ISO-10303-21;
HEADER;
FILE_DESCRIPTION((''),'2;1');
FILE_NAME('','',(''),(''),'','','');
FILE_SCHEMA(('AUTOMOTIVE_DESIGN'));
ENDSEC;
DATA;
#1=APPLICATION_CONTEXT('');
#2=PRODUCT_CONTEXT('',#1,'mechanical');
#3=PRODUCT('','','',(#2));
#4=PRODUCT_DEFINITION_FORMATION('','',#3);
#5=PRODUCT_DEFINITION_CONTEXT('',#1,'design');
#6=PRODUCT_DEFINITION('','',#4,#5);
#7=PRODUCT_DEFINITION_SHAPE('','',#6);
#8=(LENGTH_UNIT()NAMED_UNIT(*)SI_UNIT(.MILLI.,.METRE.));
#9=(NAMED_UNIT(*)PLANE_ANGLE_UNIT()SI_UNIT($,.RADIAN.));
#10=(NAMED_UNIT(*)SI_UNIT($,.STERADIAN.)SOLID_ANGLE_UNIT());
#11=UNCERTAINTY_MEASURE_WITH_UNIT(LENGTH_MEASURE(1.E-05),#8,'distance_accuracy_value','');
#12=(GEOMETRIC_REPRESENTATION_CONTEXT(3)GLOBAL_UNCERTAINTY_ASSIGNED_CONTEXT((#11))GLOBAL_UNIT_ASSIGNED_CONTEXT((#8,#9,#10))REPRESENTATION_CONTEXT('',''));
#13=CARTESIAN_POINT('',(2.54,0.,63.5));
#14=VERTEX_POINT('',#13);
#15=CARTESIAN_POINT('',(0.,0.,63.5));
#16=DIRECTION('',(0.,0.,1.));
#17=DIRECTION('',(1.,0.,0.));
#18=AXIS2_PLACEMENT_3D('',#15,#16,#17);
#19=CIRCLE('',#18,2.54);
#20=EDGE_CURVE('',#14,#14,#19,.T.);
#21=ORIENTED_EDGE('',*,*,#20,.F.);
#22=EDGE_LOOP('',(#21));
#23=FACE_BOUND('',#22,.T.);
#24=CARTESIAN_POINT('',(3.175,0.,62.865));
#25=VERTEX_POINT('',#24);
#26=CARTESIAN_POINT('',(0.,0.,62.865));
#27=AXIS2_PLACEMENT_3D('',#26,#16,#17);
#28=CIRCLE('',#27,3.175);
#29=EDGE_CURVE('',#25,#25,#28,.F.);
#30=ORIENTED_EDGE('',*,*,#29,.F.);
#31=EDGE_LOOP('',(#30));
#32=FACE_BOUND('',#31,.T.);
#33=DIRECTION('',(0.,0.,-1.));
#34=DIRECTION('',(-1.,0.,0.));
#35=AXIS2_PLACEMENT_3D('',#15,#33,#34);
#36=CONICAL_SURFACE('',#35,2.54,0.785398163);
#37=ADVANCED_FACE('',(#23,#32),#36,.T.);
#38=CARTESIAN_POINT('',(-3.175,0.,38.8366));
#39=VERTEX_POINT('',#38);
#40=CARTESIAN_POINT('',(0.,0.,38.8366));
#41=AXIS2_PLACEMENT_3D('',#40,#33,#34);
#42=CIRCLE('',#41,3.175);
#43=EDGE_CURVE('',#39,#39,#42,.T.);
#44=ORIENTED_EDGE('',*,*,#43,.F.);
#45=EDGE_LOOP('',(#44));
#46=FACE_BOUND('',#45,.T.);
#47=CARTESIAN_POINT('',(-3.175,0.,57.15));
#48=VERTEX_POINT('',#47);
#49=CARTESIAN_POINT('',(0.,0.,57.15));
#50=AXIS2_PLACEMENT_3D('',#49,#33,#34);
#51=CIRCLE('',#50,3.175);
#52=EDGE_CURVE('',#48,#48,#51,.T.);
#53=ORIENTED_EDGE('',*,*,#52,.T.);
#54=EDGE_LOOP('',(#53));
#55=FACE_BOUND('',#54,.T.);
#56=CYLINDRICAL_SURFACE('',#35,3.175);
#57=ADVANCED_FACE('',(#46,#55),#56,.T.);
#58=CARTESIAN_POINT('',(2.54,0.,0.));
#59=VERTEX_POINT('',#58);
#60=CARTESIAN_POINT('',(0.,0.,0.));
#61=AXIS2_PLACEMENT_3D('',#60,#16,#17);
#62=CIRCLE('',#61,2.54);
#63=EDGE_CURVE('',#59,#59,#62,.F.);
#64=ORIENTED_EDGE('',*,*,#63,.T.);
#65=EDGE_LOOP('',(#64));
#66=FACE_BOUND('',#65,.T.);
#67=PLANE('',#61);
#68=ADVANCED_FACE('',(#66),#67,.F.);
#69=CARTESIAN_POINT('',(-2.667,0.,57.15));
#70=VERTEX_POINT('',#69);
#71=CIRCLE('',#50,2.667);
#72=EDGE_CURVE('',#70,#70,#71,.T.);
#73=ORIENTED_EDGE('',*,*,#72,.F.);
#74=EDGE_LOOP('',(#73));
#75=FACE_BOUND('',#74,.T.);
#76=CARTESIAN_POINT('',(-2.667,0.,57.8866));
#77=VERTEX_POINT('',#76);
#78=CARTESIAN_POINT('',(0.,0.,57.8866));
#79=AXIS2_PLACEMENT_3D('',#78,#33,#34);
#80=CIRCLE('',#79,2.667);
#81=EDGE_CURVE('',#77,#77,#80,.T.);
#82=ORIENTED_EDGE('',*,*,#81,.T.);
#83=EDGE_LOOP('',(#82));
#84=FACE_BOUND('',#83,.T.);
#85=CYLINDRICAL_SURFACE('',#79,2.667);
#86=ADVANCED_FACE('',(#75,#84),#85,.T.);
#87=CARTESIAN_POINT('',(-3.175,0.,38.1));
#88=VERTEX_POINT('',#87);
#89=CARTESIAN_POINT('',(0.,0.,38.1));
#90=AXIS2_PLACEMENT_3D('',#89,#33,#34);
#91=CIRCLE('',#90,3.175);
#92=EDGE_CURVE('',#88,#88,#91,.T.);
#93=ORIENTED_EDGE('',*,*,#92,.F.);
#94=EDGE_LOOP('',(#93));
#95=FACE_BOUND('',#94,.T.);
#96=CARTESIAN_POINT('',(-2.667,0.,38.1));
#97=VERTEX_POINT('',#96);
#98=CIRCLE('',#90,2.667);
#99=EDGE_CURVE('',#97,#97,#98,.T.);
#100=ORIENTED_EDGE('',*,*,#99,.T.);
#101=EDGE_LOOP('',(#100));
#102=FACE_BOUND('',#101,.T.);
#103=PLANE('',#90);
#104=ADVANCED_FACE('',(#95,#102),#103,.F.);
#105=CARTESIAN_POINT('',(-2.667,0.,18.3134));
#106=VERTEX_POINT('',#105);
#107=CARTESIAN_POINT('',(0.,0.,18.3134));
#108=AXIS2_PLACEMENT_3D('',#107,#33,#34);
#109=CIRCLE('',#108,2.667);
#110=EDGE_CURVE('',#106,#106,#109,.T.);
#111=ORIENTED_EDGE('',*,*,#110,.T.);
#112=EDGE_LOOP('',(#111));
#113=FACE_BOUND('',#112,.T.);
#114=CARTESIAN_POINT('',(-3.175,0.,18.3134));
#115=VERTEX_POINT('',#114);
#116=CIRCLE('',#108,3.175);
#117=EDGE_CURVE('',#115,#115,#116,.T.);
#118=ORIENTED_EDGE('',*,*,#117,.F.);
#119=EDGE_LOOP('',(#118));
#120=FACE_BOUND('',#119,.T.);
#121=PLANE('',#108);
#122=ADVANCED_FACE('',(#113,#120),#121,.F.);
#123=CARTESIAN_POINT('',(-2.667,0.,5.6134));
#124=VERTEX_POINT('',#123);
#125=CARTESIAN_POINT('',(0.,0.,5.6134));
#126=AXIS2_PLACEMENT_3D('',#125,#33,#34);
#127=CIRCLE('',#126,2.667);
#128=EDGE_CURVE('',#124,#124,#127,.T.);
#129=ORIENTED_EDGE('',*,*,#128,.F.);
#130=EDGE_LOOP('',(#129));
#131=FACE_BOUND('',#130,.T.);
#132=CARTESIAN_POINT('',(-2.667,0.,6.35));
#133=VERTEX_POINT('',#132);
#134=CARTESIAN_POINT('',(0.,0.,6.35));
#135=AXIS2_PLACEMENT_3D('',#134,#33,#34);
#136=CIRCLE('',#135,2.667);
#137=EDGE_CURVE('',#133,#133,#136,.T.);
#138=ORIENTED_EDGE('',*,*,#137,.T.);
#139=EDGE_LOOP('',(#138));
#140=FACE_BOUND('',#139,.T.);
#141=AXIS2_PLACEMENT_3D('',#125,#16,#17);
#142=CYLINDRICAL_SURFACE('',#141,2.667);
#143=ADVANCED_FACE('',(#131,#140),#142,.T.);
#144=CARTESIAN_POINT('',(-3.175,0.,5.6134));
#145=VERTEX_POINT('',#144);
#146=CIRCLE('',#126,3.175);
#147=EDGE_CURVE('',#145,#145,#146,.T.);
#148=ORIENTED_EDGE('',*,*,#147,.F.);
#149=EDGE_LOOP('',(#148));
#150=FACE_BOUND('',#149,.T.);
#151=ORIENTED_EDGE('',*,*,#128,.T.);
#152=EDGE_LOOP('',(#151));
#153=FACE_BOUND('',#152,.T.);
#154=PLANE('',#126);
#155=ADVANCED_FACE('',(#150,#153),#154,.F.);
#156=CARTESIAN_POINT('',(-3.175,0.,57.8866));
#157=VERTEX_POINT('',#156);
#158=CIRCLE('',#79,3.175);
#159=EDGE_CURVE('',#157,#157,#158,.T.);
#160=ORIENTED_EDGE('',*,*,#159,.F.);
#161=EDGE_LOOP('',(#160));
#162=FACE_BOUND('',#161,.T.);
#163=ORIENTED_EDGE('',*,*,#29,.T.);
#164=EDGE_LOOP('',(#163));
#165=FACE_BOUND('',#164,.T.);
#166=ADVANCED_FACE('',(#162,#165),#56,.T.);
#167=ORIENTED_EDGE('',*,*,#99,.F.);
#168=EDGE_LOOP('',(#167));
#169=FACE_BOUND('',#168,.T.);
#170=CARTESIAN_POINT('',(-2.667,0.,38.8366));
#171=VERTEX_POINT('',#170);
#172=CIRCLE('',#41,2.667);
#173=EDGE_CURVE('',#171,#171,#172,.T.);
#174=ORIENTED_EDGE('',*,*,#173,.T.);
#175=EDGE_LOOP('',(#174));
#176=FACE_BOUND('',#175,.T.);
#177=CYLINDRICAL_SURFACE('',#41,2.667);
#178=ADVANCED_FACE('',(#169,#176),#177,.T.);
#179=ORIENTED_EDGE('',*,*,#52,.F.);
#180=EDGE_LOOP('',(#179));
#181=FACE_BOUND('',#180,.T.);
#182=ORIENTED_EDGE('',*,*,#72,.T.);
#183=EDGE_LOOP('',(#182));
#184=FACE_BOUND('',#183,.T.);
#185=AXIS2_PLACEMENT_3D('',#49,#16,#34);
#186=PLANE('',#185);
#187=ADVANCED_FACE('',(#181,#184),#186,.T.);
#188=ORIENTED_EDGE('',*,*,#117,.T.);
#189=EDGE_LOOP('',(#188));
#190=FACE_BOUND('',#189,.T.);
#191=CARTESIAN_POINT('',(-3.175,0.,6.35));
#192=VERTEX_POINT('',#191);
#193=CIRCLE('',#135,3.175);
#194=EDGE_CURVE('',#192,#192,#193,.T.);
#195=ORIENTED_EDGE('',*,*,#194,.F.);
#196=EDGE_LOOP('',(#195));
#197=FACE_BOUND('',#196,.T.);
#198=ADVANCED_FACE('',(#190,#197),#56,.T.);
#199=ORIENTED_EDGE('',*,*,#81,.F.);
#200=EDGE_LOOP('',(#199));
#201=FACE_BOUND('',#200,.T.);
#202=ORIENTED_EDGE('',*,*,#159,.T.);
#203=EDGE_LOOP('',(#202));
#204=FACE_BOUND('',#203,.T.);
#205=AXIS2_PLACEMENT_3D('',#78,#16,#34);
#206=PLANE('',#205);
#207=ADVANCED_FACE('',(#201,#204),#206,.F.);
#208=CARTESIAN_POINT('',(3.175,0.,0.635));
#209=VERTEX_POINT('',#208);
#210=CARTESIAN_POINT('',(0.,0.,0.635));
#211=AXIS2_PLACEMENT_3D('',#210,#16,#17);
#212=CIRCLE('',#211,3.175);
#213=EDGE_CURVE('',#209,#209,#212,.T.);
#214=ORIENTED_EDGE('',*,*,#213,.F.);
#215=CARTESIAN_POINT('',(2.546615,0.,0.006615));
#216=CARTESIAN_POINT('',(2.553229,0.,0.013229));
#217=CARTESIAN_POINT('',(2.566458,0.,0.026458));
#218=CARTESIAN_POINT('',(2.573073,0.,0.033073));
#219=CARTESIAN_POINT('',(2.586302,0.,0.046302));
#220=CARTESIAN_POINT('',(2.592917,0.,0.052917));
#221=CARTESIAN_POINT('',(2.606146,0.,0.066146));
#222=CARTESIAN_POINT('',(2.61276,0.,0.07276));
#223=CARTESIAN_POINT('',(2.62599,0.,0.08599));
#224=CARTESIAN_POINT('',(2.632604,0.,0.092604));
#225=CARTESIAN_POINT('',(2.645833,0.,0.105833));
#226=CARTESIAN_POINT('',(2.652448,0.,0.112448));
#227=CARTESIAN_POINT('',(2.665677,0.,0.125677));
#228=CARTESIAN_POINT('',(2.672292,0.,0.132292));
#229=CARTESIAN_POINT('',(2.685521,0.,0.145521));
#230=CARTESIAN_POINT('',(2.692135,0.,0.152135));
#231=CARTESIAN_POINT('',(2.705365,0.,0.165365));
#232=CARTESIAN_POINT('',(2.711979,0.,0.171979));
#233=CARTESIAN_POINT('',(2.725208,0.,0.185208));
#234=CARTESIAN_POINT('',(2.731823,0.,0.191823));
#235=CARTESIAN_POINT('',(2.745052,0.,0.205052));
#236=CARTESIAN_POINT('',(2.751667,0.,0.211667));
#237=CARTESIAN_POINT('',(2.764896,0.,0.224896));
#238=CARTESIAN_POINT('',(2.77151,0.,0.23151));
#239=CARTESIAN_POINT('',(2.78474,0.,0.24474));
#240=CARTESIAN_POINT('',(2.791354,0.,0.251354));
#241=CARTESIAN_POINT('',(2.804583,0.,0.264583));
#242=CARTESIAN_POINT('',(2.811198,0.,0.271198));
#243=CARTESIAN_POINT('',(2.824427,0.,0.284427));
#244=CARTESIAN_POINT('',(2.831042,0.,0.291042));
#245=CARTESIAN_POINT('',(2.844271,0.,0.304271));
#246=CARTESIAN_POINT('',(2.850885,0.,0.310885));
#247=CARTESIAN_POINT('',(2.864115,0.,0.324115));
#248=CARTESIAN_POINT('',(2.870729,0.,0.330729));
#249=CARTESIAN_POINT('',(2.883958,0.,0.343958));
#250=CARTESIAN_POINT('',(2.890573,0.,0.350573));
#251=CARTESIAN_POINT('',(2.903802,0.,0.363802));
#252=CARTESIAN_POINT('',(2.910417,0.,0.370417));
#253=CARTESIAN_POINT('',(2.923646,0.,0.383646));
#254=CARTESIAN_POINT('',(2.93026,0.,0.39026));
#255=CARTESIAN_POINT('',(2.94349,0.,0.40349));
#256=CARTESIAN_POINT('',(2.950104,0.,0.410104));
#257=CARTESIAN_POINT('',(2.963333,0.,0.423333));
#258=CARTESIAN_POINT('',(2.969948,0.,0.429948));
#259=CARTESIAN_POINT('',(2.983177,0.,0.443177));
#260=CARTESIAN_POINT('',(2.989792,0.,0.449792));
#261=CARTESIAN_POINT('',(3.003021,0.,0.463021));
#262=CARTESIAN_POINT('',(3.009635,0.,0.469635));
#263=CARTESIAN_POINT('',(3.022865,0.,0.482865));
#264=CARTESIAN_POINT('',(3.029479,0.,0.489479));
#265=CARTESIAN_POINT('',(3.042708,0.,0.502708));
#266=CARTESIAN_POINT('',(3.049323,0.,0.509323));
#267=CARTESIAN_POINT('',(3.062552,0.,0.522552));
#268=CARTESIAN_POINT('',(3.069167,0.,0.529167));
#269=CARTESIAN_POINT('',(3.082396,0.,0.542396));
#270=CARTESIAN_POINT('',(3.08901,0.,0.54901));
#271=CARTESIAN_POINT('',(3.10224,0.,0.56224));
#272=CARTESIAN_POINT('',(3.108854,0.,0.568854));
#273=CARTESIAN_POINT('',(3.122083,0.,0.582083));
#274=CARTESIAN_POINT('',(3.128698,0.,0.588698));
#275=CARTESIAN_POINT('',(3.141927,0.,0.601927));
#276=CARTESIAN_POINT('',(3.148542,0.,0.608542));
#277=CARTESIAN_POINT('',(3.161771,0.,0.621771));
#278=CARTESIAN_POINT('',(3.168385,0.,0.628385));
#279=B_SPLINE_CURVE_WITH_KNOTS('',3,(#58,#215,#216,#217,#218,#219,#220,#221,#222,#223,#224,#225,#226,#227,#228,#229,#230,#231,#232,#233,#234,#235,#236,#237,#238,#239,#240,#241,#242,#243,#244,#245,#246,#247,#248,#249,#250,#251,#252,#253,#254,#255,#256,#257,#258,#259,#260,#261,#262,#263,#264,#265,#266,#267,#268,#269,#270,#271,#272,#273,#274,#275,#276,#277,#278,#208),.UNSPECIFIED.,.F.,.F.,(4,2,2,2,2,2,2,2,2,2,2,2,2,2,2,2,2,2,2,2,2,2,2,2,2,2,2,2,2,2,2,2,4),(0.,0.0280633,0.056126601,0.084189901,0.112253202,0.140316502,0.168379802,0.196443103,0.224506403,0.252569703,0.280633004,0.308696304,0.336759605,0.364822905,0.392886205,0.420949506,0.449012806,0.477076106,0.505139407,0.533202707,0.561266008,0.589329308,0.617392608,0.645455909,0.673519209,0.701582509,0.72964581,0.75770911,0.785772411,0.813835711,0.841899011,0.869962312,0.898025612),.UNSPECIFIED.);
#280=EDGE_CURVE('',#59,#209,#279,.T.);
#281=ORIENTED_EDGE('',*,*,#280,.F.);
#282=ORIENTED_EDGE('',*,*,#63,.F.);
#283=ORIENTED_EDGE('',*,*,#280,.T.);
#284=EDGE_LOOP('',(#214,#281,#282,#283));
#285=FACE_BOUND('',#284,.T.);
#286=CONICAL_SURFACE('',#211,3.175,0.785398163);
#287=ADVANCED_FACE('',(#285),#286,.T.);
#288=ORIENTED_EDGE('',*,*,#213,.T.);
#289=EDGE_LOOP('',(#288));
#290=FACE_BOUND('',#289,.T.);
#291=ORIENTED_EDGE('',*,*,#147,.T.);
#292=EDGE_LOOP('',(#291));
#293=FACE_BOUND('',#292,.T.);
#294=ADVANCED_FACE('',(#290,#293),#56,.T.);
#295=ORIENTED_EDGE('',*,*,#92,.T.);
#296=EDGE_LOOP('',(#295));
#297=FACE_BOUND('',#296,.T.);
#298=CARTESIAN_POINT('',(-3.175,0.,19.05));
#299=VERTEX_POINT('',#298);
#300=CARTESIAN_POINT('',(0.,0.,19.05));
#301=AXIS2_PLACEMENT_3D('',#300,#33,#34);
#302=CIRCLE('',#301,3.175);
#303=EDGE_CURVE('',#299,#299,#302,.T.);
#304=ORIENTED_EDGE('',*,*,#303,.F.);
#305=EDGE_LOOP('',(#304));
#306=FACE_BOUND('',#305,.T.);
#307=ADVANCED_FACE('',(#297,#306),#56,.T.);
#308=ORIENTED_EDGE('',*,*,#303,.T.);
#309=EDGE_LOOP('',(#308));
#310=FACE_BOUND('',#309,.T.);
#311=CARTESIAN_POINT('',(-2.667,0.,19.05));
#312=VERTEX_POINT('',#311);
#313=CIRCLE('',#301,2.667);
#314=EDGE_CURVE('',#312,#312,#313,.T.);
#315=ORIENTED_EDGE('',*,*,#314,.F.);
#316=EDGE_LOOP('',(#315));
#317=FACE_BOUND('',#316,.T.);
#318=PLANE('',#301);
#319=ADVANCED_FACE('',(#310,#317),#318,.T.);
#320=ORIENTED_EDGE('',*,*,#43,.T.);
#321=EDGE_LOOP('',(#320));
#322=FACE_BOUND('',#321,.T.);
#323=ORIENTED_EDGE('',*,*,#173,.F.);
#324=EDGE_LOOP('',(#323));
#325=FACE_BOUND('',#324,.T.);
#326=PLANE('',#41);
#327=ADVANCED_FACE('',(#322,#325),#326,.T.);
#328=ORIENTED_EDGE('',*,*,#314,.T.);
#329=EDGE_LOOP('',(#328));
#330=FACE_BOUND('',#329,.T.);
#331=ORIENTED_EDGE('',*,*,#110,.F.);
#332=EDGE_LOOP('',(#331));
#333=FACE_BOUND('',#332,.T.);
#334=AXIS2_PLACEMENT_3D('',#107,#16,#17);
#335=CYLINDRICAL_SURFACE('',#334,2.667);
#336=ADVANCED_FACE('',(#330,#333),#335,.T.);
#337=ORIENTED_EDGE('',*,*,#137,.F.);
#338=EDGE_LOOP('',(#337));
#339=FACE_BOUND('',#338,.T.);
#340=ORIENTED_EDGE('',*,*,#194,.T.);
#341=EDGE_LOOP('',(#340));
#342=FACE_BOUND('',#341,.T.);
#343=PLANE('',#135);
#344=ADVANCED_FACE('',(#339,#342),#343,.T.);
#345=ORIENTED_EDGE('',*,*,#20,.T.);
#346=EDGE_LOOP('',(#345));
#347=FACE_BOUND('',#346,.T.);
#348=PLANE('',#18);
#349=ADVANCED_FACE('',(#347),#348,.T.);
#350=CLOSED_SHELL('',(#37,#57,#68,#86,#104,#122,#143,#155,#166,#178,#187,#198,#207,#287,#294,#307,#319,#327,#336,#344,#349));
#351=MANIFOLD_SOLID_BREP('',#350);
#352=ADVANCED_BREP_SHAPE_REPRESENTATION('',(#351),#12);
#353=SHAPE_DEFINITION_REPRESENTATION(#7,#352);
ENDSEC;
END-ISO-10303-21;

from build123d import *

# Parameters (mm, degrees)
SKETCH1_R           = 3.175
BOSS_EXTRUDE1_DEPTH = 63.5
CHAMFER1_SIZE       = 0.635
CUT_EXTRUDE1_START  = 0.7366
SKETCH2_R           = 3.175
SKETCH2_R_2         = 2.667
CUT_EXTRUDE1_DEPTH  = 0.7366
CUT_EXTRUDE3_START  = 0.7366
SKETCH4_R           = 3.175
SKETCH4_R_2         = 2.667
CUT_EXTRUDE3_DEPTH  = 0.7366
SKETCH5_R           = 3.175
SKETCH5_R_2         = 2.667
CUT_EXTRUDE4_DEPTH  = 0.7366


with BuildPart() as part:
    # Sketch1 → Boss-Extrude1 (new body)
    with BuildSketch(Plane.XY):
        Circle(SKETCH1_R)
    extrude(amount=BOSS_EXTRUDE1_DEPTH)

    # Chamfer1
    chamfer1_edges = [part.edges().sort_by_distance(p)[0] for p in [
        (-3.175, 0, 0),
        (-3.175, 0, 63.5),
    ]]
    chamfer(chamfer1_edges, length=CHAMFER1_SIZE)

    # Sketch2 → Cut-Extrude1 (cut)
    with BuildSketch(Plane(origin=(0, 0, 19.05), x_dir=(-1, 0, 0), z_dir=(0, 0, -1)).offset(CUT_EXTRUDE1_START)):
        Circle(SKETCH2_R)
        Circle(SKETCH2_R_2, mode=Mode.SUBTRACT)
    extrude(amount=-CUT_EXTRUDE1_DEPTH, mode=Mode.SUBTRACT)

    # Sketch4 → Cut-Extrude3 (cut)
    with BuildSketch(Plane(origin=(0, 0, 6.35), x_dir=(-1, 0, 0), z_dir=(0, 0, -1)).offset(CUT_EXTRUDE3_START)):
        Circle(SKETCH4_R)
        Circle(SKETCH4_R_2, mode=Mode.SUBTRACT)
    cut_extrude3 = extrude(amount=-CUT_EXTRUDE3_DEPTH, mode=Mode.SUBTRACT)

    # Mirror6: Cut-Extrude3 across plane
    add(cut_extrude3.mirror(Plane(origin=(0, 0, 31.75), x_dir=(1, 0, 0), z_dir=(0, 0, -1))), mode=Mode.SUBTRACT)

    # Sketch5 → Cut-Extrude4 (cut)
    with BuildSketch(Plane(origin=(0, 0, 38.1), x_dir=(-1, 0, 0), z_dir=(0, 0, -1))):
        Circle(SKETCH5_R)
        Circle(SKETCH5_R_2, mode=Mode.SUBTRACT)
    extrude(amount=-CUT_EXTRUDE4_DEPTH, mode=Mode.SUBTRACT)


solid = part.part
